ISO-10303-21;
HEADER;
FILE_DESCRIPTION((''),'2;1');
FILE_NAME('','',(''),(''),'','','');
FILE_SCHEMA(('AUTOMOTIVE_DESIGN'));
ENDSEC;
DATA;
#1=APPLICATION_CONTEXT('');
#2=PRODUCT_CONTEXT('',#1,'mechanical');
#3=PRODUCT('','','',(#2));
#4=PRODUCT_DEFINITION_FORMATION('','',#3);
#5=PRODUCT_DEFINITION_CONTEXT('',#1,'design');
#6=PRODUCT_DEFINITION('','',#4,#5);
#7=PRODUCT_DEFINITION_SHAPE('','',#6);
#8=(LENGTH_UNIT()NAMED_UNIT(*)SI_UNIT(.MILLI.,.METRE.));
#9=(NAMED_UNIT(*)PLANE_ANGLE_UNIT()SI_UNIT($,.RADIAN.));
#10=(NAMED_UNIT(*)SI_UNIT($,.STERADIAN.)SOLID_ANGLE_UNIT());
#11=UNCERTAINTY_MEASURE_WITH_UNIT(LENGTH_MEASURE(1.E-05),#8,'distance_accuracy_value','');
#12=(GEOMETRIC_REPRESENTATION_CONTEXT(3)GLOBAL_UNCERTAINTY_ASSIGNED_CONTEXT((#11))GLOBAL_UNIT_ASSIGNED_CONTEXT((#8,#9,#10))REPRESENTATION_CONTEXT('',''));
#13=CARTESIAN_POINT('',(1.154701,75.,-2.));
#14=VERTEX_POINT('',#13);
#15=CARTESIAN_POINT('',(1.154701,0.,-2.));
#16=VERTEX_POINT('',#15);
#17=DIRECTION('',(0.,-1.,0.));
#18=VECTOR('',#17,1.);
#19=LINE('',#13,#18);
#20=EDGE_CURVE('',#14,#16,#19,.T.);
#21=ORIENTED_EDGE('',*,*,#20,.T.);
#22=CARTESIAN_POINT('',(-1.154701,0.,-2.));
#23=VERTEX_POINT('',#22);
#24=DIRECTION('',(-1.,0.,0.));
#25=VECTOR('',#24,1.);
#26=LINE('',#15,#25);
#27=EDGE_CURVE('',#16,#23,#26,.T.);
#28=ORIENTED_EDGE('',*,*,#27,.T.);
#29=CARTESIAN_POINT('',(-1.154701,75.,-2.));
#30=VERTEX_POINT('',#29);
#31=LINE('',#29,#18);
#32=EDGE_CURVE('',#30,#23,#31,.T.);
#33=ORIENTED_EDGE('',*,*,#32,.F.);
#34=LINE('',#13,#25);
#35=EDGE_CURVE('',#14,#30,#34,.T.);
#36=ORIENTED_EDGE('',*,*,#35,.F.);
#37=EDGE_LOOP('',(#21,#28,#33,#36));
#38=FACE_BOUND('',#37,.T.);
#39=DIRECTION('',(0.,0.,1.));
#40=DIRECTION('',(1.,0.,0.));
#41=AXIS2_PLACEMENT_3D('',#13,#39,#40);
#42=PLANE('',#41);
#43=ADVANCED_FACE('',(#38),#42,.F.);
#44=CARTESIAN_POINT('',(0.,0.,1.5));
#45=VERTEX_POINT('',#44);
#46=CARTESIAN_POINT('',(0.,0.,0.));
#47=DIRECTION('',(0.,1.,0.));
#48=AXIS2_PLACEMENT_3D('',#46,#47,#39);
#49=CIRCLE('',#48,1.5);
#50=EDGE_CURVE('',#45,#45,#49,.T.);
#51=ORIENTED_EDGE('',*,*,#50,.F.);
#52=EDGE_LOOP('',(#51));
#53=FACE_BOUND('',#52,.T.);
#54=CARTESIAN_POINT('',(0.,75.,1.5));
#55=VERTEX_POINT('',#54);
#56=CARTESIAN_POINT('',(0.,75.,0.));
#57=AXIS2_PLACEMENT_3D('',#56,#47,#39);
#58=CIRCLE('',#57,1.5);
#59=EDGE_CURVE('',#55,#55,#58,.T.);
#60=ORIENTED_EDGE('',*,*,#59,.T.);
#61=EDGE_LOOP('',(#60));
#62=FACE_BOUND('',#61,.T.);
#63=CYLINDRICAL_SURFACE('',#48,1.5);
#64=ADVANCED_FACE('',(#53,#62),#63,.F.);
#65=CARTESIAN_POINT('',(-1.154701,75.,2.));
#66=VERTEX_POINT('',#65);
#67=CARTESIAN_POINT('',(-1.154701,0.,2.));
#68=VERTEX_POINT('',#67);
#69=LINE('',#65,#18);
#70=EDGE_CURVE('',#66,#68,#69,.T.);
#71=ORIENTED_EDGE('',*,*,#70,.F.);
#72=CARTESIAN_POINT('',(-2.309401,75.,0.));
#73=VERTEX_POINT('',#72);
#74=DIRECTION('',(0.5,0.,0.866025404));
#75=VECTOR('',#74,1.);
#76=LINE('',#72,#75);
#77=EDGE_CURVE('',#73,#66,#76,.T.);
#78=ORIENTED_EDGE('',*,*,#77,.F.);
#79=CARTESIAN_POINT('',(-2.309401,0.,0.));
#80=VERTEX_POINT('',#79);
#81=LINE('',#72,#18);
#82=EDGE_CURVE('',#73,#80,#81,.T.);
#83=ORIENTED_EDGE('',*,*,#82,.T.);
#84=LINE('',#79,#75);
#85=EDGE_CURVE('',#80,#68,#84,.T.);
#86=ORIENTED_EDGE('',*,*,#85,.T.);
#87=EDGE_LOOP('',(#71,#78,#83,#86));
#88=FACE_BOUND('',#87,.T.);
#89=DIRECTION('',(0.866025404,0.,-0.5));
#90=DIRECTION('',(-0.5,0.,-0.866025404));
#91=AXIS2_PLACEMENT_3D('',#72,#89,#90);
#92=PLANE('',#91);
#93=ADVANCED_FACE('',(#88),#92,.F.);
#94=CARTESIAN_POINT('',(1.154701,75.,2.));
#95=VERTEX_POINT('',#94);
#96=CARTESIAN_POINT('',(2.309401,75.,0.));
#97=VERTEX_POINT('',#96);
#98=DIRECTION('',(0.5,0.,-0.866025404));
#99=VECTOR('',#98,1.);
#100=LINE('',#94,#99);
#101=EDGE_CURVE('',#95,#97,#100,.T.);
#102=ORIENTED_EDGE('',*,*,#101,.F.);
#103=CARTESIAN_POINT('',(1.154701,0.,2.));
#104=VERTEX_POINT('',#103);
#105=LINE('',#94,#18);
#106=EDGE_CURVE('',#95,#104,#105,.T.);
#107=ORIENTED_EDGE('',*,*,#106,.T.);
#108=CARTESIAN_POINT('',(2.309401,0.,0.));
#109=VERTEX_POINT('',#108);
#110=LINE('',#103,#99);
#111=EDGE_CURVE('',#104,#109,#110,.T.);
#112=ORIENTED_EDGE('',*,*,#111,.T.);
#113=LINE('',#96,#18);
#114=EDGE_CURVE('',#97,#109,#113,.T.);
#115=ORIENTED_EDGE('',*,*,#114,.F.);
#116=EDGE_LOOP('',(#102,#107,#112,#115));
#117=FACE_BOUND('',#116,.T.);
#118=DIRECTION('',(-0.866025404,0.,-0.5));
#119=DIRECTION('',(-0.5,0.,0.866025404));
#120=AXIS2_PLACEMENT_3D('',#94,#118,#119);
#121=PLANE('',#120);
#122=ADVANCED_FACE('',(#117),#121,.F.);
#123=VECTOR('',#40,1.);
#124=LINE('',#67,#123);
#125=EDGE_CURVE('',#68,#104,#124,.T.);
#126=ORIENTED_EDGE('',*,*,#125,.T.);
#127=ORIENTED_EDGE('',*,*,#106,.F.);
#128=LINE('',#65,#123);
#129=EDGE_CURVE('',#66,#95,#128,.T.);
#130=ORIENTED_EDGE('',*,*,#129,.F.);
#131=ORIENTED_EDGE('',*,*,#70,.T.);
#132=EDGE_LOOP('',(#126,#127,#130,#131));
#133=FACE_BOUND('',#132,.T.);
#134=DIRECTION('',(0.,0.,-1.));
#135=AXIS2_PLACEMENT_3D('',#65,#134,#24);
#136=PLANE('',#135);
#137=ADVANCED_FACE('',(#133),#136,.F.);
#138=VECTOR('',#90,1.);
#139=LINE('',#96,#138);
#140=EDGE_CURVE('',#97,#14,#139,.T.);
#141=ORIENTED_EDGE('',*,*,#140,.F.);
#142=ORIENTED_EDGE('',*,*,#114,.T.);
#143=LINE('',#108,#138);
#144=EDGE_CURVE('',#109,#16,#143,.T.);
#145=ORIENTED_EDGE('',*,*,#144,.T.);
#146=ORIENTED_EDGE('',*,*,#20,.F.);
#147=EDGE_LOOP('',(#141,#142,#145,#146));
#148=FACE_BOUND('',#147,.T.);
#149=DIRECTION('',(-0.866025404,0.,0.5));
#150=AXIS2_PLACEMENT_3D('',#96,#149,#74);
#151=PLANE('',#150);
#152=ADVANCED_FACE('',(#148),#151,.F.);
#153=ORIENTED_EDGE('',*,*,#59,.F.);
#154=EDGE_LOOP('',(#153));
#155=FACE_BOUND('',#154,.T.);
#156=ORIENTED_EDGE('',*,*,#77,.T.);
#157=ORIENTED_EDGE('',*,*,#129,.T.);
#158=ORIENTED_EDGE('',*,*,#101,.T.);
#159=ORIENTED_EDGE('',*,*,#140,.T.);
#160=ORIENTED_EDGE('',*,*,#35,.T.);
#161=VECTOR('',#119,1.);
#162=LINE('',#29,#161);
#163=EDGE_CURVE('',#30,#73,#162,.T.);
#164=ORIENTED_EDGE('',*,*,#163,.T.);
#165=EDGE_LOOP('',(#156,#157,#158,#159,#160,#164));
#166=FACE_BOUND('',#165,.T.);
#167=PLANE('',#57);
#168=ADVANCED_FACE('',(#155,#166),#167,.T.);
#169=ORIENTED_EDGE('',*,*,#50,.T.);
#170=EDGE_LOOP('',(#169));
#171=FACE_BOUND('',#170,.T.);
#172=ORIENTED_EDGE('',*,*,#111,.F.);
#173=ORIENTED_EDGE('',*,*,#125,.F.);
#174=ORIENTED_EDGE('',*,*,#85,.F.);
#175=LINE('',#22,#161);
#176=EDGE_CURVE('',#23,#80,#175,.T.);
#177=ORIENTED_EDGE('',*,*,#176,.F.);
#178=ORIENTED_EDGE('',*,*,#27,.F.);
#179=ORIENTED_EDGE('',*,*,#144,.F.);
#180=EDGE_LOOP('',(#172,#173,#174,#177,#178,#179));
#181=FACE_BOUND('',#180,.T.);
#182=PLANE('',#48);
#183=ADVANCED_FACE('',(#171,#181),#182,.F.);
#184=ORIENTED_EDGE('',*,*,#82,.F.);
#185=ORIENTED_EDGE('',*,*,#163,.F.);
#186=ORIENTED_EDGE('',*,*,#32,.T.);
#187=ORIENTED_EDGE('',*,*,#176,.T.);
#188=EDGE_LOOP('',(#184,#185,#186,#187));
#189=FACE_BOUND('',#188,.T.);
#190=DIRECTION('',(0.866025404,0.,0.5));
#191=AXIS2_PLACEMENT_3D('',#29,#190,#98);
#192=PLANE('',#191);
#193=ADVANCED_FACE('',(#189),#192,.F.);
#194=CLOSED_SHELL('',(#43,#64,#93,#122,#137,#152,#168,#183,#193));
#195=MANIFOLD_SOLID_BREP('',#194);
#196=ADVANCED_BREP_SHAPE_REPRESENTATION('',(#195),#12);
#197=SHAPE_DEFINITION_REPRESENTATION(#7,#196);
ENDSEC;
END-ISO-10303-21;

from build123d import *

# Parameters (mm, degrees)
EXTRUDE_1_DEPTH     = 75
SKETCH_2_R          = 1.5
CUT_EXTRUDE_1_DEPTH = 76.062196433


with BuildPart() as part:
    # 草图1 → 凸台-拉伸1 (new body)
    with BuildSketch(Plane(origin=(0, 0, 0), x_dir=(1, 0, 0), z_dir=(0, 1, 0))):
        Polygon((2.309401077, 0), (1.154700538, 2), (-1.154700538, 2), (-2.309401077, 0), (-1.154700538, -2), (1.154700538, -2), align=None)
    extrude(amount=EXTRUDE_1_DEPTH)

    # 草图2 → 切除-拉伸1 (cut, through all)
    with BuildSketch(Plane(origin=(0, 75, 0), x_dir=(1, 0, 0), z_dir=(0, 1, 0))):
        with Locations(Location((0, 0, 0), (0, 0, 270))):
            Circle(SKETCH_2_R)
    extrude(amount=-CUT_EXTRUDE_1_DEPTH, mode=Mode.SUBTRACT)


solid = part.part
